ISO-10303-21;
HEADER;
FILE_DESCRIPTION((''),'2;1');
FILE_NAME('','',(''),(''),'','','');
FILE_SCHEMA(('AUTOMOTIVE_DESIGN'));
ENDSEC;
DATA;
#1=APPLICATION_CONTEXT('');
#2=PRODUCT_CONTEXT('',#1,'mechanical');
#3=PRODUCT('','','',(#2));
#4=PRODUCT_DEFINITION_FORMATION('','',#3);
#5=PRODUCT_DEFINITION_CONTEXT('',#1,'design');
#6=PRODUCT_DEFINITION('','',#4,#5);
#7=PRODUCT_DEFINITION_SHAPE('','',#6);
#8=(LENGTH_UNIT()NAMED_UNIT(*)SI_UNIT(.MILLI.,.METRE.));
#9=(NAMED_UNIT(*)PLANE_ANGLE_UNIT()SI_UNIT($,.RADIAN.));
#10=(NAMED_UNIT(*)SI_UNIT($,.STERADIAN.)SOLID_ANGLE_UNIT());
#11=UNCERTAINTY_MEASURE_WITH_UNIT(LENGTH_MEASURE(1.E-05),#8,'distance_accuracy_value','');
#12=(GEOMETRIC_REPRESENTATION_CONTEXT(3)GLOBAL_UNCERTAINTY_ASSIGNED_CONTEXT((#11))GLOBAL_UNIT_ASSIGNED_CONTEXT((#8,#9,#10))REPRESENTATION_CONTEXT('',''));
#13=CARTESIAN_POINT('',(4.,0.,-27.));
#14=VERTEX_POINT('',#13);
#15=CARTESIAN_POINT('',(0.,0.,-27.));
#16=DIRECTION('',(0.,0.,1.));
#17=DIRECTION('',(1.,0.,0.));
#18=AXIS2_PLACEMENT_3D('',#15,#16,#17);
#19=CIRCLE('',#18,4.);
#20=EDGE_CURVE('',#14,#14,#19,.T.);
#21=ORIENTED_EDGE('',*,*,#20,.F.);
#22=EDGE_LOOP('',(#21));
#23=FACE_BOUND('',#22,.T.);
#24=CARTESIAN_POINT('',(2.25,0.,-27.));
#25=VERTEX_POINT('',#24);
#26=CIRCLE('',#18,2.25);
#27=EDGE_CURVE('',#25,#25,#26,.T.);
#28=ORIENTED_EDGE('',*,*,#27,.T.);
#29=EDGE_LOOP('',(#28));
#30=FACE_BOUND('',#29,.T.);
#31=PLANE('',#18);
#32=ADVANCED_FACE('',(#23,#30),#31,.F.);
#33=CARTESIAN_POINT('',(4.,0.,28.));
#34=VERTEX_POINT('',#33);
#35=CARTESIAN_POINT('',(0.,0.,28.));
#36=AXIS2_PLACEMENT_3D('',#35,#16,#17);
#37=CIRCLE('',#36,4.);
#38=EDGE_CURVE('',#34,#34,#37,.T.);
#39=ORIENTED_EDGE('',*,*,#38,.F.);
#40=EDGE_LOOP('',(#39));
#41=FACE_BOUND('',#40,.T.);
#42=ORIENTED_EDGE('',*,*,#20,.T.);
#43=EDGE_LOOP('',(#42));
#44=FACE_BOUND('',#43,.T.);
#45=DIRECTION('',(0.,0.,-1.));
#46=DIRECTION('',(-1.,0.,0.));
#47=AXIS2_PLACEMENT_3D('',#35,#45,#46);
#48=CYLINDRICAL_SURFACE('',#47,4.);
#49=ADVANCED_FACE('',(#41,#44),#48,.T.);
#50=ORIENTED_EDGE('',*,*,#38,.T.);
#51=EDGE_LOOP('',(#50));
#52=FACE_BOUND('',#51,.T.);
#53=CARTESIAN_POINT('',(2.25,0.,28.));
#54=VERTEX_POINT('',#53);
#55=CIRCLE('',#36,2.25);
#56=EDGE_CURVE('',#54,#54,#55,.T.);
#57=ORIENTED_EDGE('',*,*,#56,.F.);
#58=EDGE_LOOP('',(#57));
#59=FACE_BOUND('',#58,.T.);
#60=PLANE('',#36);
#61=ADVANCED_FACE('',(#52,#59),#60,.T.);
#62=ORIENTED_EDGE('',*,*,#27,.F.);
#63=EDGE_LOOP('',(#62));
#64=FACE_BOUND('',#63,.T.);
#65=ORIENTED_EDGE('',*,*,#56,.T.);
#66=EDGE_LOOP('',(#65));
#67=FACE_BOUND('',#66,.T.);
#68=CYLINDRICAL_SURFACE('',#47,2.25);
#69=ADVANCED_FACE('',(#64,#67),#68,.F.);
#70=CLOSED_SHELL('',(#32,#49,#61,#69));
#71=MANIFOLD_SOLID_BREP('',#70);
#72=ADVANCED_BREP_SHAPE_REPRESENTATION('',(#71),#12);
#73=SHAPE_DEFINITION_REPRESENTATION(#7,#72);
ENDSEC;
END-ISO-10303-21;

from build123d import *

# Parameters (mm, degrees)
TIE_TUBE_START = -27
SKETCH_1_R     = 4
SKETCH_1_R_2   = 2.25
TIE_TUBE_DEPTH = 55


with BuildPart() as part:
    # Эскиз1 → Tie_tube (new body)
    with BuildSketch(Plane.XY.offset(TIE_TUBE_START)):
        Circle(SKETCH_1_R)
        Circle(SKETCH_1_R_2, mode=Mode.SUBTRACT)
    extrude(amount=TIE_TUBE_DEPTH)


solid = part.part
